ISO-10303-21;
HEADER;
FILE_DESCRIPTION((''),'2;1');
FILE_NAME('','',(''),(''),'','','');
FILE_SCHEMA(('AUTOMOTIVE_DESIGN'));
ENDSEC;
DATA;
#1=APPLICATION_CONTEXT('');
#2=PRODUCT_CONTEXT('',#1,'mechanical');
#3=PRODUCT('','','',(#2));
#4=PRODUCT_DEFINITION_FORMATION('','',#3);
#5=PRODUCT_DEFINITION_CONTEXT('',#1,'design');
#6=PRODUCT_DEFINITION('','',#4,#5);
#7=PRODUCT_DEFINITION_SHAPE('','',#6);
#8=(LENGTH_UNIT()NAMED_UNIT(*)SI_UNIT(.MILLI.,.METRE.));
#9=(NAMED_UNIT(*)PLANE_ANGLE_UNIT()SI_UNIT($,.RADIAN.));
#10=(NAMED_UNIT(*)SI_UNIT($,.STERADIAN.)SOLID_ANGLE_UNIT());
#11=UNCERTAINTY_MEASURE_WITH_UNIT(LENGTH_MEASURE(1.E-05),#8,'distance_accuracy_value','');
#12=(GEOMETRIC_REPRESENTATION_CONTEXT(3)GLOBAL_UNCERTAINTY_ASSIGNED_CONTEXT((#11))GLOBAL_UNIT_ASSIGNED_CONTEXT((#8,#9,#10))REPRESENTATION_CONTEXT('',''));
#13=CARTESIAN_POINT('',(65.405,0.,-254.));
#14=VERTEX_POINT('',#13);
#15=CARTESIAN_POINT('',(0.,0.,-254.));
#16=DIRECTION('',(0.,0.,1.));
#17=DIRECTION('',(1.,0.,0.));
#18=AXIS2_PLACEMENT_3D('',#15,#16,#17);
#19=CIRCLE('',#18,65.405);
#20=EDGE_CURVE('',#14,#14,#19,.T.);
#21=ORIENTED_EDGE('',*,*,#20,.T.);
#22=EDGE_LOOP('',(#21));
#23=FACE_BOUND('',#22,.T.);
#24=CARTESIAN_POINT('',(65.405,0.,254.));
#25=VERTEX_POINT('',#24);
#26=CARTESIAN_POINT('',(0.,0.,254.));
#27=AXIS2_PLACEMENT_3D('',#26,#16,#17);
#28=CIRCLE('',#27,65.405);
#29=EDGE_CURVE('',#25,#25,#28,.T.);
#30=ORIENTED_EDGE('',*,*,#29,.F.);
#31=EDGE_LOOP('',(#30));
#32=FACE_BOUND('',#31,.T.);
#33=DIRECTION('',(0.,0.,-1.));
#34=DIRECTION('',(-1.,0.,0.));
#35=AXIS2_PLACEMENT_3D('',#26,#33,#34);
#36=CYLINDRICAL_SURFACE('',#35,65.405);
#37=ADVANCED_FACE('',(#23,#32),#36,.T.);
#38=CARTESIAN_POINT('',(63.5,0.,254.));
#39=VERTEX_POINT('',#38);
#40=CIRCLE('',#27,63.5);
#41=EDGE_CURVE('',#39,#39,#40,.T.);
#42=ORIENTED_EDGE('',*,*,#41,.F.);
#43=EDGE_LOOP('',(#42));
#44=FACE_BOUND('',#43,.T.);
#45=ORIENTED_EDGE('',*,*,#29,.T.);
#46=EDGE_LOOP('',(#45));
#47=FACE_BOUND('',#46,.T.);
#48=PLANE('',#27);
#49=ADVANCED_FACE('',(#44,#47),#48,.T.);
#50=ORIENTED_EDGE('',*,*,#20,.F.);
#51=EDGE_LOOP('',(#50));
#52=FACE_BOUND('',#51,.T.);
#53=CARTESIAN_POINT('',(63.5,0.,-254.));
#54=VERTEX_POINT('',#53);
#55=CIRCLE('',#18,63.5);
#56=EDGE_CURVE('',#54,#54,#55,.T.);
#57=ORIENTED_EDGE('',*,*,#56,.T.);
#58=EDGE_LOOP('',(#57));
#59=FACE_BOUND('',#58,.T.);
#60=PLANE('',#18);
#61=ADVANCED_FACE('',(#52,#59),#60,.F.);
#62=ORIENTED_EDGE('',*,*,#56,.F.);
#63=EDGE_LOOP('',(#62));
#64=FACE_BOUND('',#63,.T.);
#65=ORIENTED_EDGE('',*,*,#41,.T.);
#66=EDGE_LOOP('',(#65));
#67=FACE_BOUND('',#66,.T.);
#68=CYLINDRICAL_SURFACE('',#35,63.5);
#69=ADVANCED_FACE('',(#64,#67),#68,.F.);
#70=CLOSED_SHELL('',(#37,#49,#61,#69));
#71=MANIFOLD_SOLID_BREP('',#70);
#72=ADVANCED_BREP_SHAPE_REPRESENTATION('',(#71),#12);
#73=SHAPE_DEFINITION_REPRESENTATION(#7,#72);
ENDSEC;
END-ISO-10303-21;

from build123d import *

# Parameters (mm, degrees)
SKETCH1_R           = 65.405
SKETCH1_R_2         = 63.5
BOSS_EXTRUDE1_DEPTH = 254


with BuildPart() as part:
    # Sketch1 → Boss-Extrude1 (new body, symmetric)
    with BuildSketch(Plane.XY):
        Circle(SKETCH1_R)
        Circle(SKETCH1_R_2, mode=Mode.SUBTRACT)
    extrude(amount=BOSS_EXTRUDE1_DEPTH, both=True)


solid = part.part
